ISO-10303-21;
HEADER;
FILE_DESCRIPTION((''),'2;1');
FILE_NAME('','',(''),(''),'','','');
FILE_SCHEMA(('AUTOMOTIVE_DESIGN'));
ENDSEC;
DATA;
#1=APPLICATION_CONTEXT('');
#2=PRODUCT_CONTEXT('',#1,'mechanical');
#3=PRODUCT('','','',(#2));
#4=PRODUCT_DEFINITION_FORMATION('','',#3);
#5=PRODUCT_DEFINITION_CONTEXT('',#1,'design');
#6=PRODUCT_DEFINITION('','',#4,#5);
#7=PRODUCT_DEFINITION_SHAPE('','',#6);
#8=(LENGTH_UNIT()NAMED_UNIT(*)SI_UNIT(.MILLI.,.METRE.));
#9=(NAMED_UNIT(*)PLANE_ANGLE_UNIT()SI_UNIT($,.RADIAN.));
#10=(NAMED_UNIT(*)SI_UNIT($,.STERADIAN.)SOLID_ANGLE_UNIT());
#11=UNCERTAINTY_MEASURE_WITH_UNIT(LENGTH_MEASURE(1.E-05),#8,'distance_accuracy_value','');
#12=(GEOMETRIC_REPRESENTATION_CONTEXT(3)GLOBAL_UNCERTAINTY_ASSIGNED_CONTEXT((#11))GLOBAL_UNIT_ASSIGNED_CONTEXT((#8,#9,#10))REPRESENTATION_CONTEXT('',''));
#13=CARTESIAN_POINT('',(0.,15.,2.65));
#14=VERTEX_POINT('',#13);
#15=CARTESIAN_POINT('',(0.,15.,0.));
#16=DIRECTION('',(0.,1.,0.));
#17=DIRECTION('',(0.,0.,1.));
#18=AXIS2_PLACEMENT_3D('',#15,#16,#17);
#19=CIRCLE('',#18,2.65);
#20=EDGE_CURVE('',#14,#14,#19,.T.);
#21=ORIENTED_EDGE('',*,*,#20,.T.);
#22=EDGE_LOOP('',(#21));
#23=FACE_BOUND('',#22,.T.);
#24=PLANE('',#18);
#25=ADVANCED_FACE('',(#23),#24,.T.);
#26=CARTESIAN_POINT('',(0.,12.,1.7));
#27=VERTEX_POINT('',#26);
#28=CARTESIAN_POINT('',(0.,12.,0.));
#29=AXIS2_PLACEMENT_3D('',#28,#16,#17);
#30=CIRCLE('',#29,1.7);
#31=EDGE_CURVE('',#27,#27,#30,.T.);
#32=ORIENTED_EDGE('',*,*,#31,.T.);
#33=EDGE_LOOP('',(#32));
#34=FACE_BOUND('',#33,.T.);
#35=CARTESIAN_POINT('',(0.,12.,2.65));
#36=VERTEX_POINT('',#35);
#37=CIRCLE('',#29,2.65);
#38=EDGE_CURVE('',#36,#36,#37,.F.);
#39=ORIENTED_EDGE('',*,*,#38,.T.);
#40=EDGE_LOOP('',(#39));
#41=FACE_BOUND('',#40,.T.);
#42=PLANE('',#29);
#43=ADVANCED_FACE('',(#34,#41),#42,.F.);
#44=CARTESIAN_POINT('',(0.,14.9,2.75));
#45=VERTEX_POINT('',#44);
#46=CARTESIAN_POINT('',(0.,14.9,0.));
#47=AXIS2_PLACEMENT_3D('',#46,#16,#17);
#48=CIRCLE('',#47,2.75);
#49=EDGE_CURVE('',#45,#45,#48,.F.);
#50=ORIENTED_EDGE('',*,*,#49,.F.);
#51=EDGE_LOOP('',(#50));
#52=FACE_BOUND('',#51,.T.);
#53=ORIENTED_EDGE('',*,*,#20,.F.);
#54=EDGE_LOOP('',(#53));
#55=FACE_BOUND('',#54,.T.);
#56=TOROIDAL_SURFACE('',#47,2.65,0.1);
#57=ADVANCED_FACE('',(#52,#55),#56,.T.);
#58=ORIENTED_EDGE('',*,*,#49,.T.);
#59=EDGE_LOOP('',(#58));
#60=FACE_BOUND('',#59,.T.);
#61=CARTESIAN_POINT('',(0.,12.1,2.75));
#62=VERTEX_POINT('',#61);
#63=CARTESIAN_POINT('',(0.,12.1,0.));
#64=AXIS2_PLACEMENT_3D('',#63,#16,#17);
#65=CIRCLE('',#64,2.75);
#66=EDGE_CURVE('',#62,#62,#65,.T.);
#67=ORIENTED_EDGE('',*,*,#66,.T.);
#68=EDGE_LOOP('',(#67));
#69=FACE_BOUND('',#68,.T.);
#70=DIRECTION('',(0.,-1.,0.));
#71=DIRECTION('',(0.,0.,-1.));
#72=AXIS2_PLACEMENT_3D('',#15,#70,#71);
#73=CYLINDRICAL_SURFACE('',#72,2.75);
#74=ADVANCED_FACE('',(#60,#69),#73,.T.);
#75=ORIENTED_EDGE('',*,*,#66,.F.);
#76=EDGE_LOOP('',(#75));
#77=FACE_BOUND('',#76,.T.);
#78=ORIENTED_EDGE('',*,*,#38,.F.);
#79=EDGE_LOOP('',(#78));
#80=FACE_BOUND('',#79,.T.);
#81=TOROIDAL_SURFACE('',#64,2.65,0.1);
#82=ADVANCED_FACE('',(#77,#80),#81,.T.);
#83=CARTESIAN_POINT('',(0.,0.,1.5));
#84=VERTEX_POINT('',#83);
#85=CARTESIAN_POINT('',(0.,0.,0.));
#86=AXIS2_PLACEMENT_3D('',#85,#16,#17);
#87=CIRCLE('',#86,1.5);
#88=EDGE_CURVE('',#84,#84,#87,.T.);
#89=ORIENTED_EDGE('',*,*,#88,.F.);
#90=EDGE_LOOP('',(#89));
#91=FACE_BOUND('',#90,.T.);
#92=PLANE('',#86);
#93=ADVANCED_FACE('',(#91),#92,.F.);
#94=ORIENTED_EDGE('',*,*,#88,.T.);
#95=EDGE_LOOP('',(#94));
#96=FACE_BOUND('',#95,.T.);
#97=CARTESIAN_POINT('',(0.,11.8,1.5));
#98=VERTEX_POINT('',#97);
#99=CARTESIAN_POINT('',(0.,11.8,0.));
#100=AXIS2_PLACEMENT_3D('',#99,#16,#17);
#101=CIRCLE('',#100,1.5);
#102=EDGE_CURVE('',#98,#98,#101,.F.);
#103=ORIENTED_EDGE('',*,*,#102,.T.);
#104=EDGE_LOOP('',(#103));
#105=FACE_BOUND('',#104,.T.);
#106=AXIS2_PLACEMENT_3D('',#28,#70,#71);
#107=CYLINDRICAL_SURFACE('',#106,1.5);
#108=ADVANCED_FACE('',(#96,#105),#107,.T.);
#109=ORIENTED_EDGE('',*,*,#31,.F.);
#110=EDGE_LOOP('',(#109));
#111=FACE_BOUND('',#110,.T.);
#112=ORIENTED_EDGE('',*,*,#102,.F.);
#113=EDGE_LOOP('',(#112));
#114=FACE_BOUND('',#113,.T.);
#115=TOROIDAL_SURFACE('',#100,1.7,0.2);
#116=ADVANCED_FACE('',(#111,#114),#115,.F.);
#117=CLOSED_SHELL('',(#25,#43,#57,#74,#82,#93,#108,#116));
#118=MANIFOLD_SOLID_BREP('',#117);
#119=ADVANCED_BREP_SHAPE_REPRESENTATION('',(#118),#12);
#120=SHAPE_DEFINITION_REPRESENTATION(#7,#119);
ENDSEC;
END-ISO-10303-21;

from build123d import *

# Parameters (mm, degrees)
SKETCH1_R           = 1.5
BOSS_EXTRUDE1_DEPTH = 12
SKETCH2_R           = 2.75
BOSS_EXTRUDE2_DEPTH = 3
FILLET1_R           = 0.2
FILLET2_R           = 0.1
FILLET3_R           = 0.1


with BuildPart() as part:
    # Sketch1 → Boss-Extrude1 (new body)
    with BuildSketch(Plane(origin=(0, 0, 0), x_dir=(1, 0, 0), z_dir=(0, 1, 0))):
        with Locations(Location((0, 0, 0), (0, 0, 270))):
            Circle(SKETCH1_R)
    extrude(amount=BOSS_EXTRUDE1_DEPTH)

    # Sketch2 → Boss-Extrude2 (add)
    with BuildSketch(Plane(origin=(0, 12, 0), x_dir=(1, 0, 0), z_dir=(0, 1, 0))):
        with Locations(Location((0, 0, 0), (0, 0, 270))):
            Circle(SKETCH2_R)
    extrude(amount=BOSS_EXTRUDE2_DEPTH)

    # Fillet1
    fillet1_edges = [part.edges().sort_by_distance(p)[0] for p in [
        (0, 12, -1.5),
    ]]
    fillet(fillet1_edges, radius=FILLET1_R)

    # Fillet2
    fillet2_edges = [part.edges().sort_by_distance(p)[0] for p in [
        (0, 15, -2.75),
    ]]
    fillet(fillet2_edges, radius=FILLET2_R)

    # Fillet3
    fillet3_edges = [part.edges().sort_by_distance(p)[0] for p in [
        (0, 12, -2.75),
    ]]
    fillet(fillet3_edges, radius=FILLET3_R)


solid = part.part
